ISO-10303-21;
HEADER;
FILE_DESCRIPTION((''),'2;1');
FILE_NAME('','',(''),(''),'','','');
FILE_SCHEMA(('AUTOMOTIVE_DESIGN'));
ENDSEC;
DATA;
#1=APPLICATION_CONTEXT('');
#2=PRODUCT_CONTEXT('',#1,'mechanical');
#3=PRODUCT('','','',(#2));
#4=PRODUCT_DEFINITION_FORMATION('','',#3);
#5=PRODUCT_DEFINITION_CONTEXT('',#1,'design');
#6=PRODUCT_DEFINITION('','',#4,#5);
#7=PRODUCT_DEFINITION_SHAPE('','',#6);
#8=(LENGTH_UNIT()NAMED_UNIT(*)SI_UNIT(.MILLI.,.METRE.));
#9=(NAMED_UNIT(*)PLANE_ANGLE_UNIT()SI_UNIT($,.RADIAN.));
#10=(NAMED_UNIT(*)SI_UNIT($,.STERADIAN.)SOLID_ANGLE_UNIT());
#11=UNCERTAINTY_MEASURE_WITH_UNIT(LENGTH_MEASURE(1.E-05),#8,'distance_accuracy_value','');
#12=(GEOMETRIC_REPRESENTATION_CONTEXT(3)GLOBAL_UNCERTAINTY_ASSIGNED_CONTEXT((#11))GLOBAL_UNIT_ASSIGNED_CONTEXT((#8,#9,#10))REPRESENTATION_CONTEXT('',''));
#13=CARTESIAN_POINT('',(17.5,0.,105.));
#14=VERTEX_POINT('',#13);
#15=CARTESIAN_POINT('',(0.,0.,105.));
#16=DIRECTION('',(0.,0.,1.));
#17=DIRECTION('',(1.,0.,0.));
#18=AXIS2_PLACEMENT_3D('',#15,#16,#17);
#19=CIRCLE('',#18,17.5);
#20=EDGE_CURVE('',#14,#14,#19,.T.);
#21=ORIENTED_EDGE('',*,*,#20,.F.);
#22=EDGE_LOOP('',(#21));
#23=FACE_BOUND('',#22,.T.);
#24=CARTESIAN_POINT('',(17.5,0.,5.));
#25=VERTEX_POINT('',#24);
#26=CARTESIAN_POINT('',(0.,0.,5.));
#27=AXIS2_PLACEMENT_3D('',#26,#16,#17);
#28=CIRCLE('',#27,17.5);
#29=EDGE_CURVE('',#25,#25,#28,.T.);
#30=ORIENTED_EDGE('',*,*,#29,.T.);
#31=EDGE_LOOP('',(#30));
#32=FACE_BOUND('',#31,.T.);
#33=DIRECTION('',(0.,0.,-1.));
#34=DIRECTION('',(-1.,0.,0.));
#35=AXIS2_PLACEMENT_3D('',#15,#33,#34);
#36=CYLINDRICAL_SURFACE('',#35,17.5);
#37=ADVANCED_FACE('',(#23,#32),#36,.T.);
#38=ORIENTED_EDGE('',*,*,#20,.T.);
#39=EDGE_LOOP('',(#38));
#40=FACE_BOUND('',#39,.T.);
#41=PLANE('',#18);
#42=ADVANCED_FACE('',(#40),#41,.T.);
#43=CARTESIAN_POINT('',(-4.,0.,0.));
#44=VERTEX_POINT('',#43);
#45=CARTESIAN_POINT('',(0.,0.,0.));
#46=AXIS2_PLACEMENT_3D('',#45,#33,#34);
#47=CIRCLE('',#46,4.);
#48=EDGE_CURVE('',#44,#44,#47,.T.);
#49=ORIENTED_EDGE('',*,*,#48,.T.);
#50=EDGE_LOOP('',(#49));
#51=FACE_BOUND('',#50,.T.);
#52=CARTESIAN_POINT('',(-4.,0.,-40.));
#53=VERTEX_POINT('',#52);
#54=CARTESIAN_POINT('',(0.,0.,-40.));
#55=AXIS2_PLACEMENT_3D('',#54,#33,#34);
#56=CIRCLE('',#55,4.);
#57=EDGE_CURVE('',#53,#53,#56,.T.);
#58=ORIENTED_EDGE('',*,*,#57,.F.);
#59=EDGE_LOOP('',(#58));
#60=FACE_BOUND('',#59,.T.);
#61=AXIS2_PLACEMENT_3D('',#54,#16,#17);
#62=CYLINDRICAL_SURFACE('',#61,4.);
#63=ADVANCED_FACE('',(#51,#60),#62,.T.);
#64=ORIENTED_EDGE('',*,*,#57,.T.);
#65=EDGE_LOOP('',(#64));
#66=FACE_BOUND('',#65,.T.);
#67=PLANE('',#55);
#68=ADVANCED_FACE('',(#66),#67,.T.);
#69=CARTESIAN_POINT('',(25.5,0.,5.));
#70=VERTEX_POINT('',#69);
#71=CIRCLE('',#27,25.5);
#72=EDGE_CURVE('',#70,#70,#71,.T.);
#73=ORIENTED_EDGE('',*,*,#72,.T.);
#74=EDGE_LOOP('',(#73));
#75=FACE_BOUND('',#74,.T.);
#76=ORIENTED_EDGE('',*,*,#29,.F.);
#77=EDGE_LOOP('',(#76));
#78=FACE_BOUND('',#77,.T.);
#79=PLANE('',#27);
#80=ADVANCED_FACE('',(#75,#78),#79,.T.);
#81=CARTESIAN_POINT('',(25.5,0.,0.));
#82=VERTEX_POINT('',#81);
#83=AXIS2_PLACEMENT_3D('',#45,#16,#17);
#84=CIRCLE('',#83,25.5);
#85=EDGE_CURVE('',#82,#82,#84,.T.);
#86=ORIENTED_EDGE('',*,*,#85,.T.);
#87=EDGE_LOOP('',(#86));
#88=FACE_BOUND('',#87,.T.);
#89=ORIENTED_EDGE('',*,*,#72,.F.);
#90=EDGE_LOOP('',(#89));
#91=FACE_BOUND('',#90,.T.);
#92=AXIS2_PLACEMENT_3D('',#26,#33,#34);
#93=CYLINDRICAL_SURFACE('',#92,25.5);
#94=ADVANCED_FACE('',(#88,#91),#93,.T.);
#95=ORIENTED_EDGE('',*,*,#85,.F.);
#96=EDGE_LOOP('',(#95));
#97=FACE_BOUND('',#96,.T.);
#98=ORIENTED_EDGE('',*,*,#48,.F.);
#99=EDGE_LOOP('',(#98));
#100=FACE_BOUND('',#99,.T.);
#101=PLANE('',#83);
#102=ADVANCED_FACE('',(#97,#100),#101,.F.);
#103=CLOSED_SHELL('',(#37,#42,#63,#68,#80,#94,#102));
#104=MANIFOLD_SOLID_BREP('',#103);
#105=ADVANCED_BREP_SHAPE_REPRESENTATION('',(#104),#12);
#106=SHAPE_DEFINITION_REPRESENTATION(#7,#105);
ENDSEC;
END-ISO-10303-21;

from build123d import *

# Parameters (mm, degrees)
SKETCH1_R           = 25.5
BOSS_EXTRUDE3_DEPTH = 5
SKETCH3_R           = 17.5
BOSS_EXTRUDE4_DEPTH = 100
SKETCH4_R           = 4
BOSS_EXTRUDE5_DEPTH = 40


with BuildPart() as part:
    # Sketch1 → Boss-Extrude3 (new body)
    with BuildSketch(Plane.XY):
        Circle(SKETCH1_R)
    extrude(amount=BOSS_EXTRUDE3_DEPTH)

    # Sketch3 → Boss-Extrude4 (add)
    with BuildSketch(Plane.XY.offset(5)):
        Circle(SKETCH3_R)
    extrude(amount=BOSS_EXTRUDE4_DEPTH)

    # Sketch4 → Boss-Extrude5 (add)
    with BuildSketch(Plane(origin=(0, 0, 0), x_dir=(-1, 0, 0), z_dir=(0, 0, -1))):
        Circle(SKETCH4_R)
    extrude(amount=BOSS_EXTRUDE5_DEPTH)


solid = part.part
